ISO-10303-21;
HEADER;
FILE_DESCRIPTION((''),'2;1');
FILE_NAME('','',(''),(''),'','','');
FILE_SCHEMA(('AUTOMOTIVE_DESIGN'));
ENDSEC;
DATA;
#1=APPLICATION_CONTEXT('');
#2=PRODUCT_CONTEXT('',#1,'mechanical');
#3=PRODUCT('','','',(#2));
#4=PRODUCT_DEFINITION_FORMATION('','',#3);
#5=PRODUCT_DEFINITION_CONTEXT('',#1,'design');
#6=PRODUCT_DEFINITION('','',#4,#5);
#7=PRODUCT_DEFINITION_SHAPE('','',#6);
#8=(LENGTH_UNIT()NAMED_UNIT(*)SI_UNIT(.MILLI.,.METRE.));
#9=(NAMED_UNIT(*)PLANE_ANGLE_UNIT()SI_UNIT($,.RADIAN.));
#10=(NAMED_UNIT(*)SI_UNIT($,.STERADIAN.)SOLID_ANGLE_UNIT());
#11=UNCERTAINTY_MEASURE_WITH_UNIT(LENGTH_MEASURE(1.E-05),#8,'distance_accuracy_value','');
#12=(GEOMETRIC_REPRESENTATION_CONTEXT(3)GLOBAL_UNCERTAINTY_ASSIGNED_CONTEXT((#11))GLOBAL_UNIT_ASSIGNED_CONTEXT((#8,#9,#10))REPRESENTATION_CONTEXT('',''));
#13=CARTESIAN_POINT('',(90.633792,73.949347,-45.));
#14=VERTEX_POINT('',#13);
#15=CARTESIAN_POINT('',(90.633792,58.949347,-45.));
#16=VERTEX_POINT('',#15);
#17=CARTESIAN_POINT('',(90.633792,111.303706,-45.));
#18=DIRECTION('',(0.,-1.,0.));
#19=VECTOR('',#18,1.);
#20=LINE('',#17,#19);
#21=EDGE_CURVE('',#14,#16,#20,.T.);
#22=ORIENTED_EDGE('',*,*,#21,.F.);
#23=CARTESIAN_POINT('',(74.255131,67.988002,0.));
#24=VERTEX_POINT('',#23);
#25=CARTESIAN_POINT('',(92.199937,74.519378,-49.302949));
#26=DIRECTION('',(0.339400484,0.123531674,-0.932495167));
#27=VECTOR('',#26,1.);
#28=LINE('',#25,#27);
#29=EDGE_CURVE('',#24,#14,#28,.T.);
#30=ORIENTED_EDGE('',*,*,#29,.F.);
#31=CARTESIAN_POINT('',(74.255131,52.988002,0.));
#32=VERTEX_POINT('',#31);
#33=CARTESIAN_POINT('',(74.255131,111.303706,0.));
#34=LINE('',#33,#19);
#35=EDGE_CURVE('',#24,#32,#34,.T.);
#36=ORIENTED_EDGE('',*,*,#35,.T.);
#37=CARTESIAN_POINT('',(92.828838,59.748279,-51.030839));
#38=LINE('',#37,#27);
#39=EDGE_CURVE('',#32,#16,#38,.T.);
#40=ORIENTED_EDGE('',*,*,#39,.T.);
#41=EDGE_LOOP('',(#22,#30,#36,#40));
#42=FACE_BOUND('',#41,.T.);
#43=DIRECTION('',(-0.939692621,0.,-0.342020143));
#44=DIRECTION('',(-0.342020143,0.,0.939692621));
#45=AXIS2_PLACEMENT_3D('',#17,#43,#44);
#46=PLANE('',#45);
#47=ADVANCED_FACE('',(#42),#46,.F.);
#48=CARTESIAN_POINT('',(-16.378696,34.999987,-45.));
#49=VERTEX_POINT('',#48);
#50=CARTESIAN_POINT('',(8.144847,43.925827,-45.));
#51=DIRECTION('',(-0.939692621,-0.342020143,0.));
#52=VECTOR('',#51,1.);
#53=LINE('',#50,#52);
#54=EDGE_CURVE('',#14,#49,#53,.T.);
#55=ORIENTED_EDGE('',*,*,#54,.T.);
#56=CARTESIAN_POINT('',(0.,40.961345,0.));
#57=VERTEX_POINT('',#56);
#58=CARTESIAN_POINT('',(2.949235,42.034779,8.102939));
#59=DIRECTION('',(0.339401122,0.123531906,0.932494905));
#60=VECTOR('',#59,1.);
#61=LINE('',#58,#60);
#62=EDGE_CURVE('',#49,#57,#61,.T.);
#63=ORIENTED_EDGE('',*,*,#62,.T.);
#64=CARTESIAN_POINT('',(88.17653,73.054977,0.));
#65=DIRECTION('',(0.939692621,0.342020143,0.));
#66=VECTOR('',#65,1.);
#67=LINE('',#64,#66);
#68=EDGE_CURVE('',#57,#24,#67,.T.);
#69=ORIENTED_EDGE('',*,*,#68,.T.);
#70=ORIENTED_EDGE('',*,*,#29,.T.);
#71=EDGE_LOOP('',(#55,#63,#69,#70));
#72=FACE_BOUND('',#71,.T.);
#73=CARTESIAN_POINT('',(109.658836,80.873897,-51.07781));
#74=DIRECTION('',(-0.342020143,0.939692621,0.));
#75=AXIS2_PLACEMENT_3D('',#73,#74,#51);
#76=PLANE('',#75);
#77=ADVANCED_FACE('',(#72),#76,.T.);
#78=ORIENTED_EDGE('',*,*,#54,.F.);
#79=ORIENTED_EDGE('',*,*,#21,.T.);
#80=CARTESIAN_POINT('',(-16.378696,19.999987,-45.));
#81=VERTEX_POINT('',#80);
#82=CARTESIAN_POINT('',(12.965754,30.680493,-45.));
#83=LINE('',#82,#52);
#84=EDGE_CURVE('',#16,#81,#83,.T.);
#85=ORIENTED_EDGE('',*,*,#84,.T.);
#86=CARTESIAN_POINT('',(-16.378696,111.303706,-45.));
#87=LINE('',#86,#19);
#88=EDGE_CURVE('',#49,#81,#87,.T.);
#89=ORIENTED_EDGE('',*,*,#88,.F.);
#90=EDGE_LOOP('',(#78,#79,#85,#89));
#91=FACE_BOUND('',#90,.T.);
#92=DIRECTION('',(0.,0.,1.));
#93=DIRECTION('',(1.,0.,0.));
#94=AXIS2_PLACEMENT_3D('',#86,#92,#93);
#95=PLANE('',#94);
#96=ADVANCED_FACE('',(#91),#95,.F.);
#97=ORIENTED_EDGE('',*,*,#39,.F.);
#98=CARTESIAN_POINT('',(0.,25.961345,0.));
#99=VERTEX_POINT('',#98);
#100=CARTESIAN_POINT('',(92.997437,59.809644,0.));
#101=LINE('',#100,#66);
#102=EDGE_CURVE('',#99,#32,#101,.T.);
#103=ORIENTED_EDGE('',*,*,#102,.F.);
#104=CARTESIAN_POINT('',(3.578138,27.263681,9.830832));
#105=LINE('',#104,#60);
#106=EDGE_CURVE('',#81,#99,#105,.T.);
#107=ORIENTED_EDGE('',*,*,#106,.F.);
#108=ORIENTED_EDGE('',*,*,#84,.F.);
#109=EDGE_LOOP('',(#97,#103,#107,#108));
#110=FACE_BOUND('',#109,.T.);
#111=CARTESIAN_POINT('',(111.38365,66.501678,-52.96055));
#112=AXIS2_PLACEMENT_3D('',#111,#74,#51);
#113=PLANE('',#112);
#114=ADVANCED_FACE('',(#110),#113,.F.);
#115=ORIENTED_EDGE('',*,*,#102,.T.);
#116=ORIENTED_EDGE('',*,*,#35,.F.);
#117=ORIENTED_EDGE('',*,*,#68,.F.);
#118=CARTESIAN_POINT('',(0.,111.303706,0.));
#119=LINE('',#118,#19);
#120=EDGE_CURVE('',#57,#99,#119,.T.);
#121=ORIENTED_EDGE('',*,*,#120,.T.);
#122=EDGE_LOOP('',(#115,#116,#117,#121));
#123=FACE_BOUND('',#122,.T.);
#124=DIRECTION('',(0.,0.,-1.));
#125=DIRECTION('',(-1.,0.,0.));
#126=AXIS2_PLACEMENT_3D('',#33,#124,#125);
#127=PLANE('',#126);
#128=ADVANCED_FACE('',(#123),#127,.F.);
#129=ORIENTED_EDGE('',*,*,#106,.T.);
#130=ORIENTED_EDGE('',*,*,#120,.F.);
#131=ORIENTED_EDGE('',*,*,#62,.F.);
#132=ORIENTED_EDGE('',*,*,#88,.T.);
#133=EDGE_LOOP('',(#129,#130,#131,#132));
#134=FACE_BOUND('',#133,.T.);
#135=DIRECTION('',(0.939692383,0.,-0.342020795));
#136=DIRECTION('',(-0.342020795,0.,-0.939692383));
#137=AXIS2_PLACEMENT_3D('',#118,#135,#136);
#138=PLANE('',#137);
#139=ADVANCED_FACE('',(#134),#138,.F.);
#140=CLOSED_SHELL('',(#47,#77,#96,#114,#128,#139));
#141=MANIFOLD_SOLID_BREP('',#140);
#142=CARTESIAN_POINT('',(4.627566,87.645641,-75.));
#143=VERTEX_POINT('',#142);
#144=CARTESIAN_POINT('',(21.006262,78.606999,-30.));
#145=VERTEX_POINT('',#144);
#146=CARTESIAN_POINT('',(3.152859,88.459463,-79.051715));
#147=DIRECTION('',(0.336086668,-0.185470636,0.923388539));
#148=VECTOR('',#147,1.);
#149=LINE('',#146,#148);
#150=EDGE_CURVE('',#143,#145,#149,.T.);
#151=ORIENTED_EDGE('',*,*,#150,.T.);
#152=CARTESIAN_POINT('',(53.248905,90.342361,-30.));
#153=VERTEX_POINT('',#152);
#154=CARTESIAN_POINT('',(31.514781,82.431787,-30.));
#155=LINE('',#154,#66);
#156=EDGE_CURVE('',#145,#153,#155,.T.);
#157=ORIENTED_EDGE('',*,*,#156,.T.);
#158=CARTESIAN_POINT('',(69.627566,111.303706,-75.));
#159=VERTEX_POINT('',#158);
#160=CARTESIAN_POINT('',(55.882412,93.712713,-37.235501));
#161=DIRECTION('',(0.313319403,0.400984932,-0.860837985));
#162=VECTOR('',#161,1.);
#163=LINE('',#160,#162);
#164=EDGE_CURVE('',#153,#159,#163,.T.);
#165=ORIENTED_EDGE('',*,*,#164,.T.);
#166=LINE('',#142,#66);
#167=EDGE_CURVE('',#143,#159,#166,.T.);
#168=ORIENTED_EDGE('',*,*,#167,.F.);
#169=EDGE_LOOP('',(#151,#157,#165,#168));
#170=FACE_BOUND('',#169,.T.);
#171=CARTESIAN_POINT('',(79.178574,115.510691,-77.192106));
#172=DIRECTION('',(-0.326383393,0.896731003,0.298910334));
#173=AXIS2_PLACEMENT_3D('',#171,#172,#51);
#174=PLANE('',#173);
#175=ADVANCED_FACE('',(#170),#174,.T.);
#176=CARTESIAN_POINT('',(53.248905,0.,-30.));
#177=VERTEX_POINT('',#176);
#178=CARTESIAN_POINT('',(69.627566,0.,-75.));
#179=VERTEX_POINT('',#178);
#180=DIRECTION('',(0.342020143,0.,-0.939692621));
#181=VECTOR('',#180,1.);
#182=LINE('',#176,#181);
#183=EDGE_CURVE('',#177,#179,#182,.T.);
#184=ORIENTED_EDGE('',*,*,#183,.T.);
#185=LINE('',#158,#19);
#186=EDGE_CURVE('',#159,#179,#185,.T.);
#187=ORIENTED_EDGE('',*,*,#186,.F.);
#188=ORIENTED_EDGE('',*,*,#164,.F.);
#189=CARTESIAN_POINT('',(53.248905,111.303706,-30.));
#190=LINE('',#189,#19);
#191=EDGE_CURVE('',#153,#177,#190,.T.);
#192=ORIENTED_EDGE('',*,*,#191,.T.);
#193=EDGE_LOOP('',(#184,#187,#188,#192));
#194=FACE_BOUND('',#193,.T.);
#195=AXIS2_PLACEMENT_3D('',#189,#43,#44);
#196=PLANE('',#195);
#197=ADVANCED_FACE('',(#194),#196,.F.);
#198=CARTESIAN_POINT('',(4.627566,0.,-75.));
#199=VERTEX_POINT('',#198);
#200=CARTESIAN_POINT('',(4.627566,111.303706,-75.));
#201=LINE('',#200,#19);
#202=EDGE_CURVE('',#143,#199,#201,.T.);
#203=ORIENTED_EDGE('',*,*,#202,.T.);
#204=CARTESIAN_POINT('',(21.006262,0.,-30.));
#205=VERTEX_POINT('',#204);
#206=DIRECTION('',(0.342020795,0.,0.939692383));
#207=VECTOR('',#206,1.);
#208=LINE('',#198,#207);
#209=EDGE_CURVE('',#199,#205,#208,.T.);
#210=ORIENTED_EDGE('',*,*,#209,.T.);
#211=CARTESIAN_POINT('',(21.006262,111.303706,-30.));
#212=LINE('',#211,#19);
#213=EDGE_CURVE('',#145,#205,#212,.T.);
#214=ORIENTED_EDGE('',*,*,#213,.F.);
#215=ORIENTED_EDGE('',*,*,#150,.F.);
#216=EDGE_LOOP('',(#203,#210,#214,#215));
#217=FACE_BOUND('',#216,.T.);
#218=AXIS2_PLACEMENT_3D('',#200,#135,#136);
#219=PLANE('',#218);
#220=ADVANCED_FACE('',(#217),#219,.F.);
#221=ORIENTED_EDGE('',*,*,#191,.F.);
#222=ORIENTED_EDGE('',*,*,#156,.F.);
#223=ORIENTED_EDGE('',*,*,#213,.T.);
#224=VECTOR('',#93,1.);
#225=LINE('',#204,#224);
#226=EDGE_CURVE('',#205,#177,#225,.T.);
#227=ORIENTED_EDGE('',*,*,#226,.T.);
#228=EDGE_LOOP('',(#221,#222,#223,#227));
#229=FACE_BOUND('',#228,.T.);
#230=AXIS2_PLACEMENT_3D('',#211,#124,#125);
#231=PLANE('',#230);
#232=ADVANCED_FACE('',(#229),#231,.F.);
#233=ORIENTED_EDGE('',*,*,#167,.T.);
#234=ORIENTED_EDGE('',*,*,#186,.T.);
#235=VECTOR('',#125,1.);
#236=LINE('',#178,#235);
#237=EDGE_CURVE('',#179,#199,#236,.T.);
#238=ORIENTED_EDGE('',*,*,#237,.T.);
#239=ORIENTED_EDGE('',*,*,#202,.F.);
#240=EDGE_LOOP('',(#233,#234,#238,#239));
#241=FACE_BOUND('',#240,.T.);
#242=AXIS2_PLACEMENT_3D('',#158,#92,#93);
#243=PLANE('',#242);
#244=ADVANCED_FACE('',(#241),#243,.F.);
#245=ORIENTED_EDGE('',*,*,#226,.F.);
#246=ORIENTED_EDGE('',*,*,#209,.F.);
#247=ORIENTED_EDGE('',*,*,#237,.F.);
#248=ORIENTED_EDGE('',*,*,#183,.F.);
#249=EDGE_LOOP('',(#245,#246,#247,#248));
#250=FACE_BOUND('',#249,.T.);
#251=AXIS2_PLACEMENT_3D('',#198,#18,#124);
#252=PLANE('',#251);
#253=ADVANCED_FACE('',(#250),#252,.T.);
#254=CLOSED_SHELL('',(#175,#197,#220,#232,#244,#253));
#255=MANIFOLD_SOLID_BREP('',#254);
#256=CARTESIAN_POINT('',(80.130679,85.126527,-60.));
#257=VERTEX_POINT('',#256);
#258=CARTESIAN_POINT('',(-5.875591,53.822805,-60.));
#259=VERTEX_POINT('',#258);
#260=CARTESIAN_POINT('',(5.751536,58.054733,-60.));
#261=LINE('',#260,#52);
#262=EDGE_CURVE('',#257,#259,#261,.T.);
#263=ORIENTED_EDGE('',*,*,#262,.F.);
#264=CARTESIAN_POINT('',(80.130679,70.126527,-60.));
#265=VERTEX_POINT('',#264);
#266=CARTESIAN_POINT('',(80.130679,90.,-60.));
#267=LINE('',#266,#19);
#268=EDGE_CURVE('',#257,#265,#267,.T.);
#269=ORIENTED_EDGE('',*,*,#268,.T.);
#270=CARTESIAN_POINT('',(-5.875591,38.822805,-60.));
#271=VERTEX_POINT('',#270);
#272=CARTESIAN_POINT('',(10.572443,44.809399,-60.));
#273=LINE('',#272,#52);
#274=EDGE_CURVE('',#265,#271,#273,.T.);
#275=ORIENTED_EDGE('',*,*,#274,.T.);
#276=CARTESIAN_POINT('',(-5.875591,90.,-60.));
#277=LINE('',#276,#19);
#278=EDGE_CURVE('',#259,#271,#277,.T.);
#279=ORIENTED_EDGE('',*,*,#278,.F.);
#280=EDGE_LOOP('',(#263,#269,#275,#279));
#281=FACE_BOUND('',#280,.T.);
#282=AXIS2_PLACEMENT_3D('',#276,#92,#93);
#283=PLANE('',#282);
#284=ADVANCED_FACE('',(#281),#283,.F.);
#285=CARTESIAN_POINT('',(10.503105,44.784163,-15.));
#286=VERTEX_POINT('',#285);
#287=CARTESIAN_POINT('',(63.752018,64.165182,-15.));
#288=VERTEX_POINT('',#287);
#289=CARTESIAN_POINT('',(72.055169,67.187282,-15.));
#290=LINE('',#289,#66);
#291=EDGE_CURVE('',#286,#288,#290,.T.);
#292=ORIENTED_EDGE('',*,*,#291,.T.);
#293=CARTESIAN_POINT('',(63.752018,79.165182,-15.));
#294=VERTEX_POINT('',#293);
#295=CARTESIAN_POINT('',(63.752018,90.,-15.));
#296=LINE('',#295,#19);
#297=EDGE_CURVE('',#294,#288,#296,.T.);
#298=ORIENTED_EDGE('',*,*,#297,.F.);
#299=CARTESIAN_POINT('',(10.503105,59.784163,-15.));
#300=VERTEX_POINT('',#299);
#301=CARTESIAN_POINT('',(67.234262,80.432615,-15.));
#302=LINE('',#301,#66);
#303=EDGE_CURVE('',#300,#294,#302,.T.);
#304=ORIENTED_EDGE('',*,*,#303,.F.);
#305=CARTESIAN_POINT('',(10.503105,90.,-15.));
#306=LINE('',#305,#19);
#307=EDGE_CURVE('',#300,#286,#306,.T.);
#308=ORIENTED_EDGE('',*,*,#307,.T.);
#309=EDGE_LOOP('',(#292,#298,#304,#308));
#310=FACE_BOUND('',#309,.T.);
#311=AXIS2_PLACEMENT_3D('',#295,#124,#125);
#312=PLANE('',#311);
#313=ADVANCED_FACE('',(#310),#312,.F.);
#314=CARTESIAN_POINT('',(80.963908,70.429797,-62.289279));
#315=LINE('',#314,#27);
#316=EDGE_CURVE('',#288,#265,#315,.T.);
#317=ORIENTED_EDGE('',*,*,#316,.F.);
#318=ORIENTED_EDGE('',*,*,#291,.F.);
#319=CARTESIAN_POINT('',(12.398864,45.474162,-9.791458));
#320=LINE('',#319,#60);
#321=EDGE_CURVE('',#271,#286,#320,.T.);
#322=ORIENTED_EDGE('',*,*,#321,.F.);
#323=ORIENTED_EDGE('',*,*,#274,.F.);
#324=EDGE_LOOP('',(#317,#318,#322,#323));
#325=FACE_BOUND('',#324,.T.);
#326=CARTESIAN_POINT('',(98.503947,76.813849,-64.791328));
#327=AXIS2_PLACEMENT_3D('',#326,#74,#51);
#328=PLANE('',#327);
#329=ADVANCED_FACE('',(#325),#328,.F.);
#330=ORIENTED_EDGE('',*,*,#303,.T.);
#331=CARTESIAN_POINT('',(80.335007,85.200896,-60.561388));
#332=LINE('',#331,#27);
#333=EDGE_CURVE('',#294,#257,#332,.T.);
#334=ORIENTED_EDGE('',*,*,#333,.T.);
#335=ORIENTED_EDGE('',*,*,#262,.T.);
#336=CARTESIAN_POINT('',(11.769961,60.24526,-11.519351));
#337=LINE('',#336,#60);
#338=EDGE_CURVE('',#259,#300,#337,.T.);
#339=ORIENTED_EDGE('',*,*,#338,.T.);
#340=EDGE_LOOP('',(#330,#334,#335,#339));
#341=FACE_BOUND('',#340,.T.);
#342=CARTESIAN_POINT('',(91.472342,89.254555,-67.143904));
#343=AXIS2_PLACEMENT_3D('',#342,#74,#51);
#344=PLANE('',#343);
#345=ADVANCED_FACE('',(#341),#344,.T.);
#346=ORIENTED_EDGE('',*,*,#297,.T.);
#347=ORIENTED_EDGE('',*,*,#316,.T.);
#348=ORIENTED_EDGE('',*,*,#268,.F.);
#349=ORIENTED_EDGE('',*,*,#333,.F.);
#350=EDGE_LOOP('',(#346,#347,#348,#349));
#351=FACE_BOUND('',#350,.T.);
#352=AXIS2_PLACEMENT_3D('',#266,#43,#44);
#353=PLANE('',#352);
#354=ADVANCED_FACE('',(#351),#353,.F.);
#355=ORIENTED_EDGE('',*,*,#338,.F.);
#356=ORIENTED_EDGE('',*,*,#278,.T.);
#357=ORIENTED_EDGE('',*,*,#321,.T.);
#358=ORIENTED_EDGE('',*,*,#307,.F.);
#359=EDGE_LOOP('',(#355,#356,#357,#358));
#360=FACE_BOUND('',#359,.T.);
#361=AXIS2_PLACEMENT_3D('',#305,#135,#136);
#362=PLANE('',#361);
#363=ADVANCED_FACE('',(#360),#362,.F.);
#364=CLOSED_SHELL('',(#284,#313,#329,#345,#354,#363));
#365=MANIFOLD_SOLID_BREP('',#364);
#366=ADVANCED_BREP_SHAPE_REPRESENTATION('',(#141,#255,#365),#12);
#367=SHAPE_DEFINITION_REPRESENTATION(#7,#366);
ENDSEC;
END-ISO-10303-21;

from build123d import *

# Parameters (mm, degrees)
EXTRUDE1_DEPTH     = 111.30370628
CUT_EXTRUDE1_DEPTH = 46
SKETCH4_W          = 93.704770794
SKETCH4_H          = 56.784227463
CUT_EXTRUDE2_DEPTH = 111.30370628
EXTRUDE2_DEPTH     = 111.30370628
SKETCH11_W         = 148.9717492
SKETCH11_H         = 56.952864623
CUT_EXTRUDE3_DEPTH = 60
SKETCH12_W         = 149.677776447
SKETCH12_H         = 58.364919118
CUT_EXTRUDE4_DEPTH = 80
EXTRUDE3_DEPTH     = 90
SKETCH14_W         = 111.854252755
SKETCH14_H         = 53.467616039
CUT_EXTRUDE5_DEPTH = 40
SKETCH15_W         = 126.852412542
SKETCH15_H         = 52.398263719
CUT_EXTRUDE6_DEPTH = 70


with BuildPart() as part:
    # Sketch1 → Extrude1 (new body)
    with BuildSketch(Plane(origin=(0, 0, 0), x_dir=(1, 0, 0), z_dir=(0, 1, 0))):
        Polygon((21.0062615, 30), (53.24890506, 30), (69.6275656, 75), (4.6275656, 75), align=None)
    extrude(amount=EXTRUDE1_DEPTH)

    # Sketch2 → Cut-Extrude1 (cut, through all)
    with BuildSketch(Plane.XY.offset(-30)):
        Polygon((69.6275656, 111.30370628), (4.6275656, 111.30370628), (4.6275656, 87.645641053), align=None)
    extrude(amount=-CUT_EXTRUDE1_DEPTH, mode=Mode.SUBTRACT)

    # Sketch4 → Cut-Extrude2 (cut)
    with BuildSketch(Plane(origin=(-17.842051082, 49.020632465, 16.340210822), x_dir=(0.945237473, 0.309634474, 0.103211491), z_dir=(0.326383393, -0.896731003, -0.298910334))):
        with Locations((55.789149016, -81.366436022)):
            Rectangle(SKETCH4_W, SKETCH4_H)
    extrude(amount=-CUT_EXTRUDE2_DEPTH, mode=Mode.SUBTRACT)


with BuildPart() as body_2:
    # Sketch6 → Extrude2 (new body)
    with BuildSketch(Plane(origin=(0, 0, 0), x_dir=(1, 0, 0), z_dir=(0, 1, 0))):
        Polygon((-16.3786959, 45), (90.633791747, 45), (74.255131207, 0), (0, 0), align=None)
    extrude(amount=EXTRUDE2_DEPTH)

    # Sketch11 → Cut-Extrude3 (cut)
    with BuildSketch(Plane(origin=(-8.343815422, 22.924444463, 0), x_dir=(-0.939692621, -0.342020143, 0), z_dir=(-0.342020143, 0.939692621, 0))):
        with Locations((-52.925432522, -24.484117378)):
            Rectangle(SKETCH11_W, SKETCH11_H)
    extrude(amount=-CUT_EXTRUDE3_DEPTH, mode=Mode.SUBTRACT)

    # Sketch12 → Cut-Extrude4 (cut)
    with BuildSketch(Plane(origin=(-13.164722494, 36.169777787, 0), x_dir=(-0.939692621, -0.342020143, 0), z_dir=(-0.342020143, 0.939692621, 0))):
        with Locations((-55.867212719, -21.895350804)):
            Rectangle(SKETCH12_W, SKETCH12_H)
    extrude(amount=CUT_EXTRUDE4_DEPTH, mode=Mode.SUBTRACT)


with BuildPart() as body_3:
    # Sketch13 → Extrude3 (new body)
    with BuildSketch(Plane(origin=(0, 0, 0), x_dir=(1, 0, 0), z_dir=(0, 1, 0))):
        Polygon((-5.875590582, 60), (80.130678674, 60), (63.752018134, 15), (10.503105318, 15), align=None)
    extrude(amount=EXTRUDE3_DEPTH)

    # Sketch14 → Cut-Extrude5 (cut)
    with BuildSketch(Plane(origin=(-17.985629567, 49.41511111, 0), x_dir=(-0.939692621, -0.342020143, 0), z_dir=(-0.342020143, 0.939692621, 0))):
        with Locations((-60.555614074, -40.410095572)):
            Rectangle(SKETCH14_W, SKETCH14_H)
    extrude(amount=CUT_EXTRUDE5_DEPTH, mode=Mode.SUBTRACT)

    # Sketch15 → Cut-Extrude6 (cut)
    with BuildSketch(Plane(origin=(-13.164722494, 36.169777787, 0), x_dir=(-0.939692621, -0.342020143, 0), z_dir=(-0.342020143, 0.939692621, 0))):
        with Locations((-55.409109287, -38.592196628)):
            Rectangle(SKETCH15_W, SKETCH15_H)
    extrude(amount=-CUT_EXTRUDE6_DEPTH, mode=Mode.SUBTRACT)


solid = Compound([part.part, body_2.part, body_3.part])
